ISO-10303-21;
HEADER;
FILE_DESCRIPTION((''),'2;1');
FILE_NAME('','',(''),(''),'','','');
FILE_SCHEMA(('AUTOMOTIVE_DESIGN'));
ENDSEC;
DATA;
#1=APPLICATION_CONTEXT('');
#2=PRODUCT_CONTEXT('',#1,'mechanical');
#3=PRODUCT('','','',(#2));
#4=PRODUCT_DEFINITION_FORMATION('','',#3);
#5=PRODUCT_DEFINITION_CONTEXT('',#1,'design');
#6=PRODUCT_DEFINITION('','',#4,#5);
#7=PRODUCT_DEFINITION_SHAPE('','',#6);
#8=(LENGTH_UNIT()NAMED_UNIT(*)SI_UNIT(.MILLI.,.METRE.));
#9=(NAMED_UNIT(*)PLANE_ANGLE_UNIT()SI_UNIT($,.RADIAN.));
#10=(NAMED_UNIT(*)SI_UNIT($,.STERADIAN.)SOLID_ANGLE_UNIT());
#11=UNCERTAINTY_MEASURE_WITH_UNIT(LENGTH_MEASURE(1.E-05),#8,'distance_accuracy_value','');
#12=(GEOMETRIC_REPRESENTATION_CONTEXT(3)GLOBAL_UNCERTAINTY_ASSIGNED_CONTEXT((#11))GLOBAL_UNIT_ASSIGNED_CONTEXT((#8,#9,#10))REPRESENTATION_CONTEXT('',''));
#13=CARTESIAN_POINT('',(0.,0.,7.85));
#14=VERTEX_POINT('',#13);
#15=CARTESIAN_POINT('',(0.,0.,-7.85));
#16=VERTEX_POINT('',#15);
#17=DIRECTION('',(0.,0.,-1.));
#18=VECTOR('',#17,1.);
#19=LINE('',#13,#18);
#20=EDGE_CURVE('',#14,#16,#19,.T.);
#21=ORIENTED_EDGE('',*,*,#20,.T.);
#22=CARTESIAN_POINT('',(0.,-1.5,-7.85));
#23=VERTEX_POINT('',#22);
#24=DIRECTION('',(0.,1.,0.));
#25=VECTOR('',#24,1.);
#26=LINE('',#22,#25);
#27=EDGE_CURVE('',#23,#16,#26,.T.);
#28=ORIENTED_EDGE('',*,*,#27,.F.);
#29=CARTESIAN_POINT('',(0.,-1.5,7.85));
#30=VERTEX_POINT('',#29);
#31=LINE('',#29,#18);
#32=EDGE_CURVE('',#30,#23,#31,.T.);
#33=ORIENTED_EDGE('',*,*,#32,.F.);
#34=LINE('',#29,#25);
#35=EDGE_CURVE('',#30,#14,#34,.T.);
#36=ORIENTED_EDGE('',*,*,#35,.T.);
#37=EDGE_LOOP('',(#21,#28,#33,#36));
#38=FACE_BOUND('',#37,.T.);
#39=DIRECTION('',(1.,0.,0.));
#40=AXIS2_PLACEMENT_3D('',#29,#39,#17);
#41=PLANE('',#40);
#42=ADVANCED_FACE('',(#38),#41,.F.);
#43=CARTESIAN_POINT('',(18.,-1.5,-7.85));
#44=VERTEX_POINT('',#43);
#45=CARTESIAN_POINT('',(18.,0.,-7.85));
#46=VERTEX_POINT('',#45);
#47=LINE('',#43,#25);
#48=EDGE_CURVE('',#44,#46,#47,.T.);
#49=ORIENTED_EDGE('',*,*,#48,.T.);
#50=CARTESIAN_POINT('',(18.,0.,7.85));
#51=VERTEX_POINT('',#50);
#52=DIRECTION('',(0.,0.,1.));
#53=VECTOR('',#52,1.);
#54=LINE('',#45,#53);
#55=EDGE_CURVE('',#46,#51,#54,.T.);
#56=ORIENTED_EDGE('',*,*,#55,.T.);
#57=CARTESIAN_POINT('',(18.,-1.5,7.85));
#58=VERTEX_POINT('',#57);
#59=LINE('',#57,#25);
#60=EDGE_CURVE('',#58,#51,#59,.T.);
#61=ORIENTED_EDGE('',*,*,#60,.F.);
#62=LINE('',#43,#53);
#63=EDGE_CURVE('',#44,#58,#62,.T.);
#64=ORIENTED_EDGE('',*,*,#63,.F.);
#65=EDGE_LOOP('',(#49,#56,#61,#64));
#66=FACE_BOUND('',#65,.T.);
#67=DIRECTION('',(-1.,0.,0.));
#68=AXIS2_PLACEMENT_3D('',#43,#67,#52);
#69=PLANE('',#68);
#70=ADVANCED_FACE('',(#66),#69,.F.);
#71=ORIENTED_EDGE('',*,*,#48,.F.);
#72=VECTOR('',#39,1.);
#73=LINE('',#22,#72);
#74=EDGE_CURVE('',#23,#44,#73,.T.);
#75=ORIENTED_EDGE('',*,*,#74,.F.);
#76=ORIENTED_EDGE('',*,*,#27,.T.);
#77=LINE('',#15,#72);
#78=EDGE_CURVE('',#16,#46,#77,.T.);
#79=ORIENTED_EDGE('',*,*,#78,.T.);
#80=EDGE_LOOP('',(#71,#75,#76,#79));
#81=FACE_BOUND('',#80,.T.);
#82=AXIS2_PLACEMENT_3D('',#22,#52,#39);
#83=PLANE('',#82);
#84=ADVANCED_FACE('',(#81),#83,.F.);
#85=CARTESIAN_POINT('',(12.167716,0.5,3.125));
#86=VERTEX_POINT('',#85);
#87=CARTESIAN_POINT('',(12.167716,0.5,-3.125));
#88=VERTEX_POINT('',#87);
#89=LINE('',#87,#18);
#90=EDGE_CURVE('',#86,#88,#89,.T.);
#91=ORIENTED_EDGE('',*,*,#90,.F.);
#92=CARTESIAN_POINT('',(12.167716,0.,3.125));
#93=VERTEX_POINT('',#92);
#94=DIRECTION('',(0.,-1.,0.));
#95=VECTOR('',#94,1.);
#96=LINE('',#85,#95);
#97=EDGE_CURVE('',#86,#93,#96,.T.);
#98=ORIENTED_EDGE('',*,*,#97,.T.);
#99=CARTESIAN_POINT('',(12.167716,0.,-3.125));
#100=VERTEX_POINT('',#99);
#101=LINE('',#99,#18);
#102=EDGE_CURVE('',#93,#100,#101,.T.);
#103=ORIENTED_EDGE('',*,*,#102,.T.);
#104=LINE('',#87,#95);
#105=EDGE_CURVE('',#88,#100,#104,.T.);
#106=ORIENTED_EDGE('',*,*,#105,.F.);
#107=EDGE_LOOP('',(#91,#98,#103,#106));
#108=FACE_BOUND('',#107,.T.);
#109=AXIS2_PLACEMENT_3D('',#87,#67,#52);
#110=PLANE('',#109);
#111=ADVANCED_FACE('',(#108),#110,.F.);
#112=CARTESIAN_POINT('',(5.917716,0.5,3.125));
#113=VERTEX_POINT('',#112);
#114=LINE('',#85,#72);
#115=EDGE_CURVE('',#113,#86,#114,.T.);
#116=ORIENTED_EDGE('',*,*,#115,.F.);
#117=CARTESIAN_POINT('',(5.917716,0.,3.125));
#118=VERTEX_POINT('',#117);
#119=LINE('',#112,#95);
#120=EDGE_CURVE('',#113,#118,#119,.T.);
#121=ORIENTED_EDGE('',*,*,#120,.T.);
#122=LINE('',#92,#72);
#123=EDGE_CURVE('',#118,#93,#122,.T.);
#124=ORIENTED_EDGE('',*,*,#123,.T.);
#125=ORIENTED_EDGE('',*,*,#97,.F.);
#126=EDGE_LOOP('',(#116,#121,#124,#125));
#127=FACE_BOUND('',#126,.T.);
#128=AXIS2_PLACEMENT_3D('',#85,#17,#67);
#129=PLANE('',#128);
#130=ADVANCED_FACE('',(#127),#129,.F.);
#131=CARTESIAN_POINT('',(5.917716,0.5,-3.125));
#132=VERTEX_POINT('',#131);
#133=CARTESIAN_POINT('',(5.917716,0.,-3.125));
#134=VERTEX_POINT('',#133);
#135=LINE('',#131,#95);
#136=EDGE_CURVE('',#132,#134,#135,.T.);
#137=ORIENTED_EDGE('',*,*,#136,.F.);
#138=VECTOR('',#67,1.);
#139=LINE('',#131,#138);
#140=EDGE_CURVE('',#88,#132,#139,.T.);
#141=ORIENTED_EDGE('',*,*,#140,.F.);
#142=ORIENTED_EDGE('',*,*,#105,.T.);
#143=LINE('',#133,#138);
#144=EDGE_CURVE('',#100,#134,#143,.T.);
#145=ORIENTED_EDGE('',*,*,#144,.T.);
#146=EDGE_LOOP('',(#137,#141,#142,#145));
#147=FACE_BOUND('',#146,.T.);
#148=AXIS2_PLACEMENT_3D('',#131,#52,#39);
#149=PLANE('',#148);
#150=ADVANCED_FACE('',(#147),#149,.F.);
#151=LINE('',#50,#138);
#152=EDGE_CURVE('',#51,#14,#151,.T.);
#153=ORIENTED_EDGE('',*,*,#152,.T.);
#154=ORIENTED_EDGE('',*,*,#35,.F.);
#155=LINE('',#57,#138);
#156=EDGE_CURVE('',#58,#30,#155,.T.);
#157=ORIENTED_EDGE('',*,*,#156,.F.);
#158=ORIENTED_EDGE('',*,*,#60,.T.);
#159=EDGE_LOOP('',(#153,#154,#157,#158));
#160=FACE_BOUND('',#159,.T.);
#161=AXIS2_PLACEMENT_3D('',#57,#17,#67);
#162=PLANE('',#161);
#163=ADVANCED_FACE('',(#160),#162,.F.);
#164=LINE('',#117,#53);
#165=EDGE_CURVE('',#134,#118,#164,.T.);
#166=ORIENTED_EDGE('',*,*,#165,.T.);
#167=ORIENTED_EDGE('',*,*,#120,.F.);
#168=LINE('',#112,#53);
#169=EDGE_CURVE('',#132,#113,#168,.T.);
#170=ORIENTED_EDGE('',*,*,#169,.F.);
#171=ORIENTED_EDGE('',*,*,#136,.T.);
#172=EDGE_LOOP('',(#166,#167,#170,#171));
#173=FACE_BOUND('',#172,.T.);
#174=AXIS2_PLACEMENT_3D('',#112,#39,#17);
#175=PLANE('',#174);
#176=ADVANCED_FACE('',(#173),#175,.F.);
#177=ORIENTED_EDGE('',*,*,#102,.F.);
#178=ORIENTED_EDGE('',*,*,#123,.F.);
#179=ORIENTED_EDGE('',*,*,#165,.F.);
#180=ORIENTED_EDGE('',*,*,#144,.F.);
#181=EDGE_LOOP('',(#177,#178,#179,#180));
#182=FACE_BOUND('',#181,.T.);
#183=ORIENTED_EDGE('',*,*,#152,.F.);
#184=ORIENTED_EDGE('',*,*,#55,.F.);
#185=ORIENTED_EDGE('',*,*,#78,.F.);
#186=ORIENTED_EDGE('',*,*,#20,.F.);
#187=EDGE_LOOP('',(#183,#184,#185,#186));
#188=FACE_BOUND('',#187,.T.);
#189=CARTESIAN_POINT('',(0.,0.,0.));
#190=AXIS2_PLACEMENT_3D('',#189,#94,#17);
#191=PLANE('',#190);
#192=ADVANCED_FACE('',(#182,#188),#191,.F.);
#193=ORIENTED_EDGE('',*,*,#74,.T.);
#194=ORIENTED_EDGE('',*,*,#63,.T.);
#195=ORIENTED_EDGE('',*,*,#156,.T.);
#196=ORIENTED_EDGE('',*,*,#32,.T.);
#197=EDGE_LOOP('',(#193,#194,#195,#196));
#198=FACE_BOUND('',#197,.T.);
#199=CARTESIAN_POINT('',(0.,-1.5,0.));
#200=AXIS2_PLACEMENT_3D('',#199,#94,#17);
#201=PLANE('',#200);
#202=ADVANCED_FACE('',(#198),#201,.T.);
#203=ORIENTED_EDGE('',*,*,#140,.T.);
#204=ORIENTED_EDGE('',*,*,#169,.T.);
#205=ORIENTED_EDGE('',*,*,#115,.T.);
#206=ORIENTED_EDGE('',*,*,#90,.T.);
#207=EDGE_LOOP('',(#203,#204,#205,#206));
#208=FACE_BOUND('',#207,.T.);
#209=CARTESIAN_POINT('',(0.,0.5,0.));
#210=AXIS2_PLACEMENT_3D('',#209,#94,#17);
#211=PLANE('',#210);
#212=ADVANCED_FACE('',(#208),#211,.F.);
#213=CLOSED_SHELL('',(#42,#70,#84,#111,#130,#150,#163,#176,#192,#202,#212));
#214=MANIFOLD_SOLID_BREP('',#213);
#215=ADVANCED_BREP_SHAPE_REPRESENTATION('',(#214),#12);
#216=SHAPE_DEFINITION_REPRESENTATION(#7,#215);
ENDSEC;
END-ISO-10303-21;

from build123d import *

# Parameters (mm, degrees)
CROQUIS1_W              = 18
CROQUIS1_H              = 15.7
SALIENTE_EXTRUIR1_DEPTH = 1.5
CROQUIS2_W              = 6.25
CROQUIS2_H              = 6.25
SALIENTE_EXTRUIR2_DEPTH = 0.5


with BuildPart() as part:
    # Croquis1 → Saliente-Extruir1 (new body)
    with BuildSketch(Plane.XZ):
        with Locations((9, 0)):
            Rectangle(CROQUIS1_W, CROQUIS1_H)
    extrude(amount=SALIENTE_EXTRUIR1_DEPTH)

    # Croquis2 → Saliente-Extruir2 (add)
    with BuildSketch(Plane(origin=(0, 0, 0), x_dir=(1, 0, 0), z_dir=(0, 1, 0))):
        with Locations((9.04271605, 0)):
            Rectangle(CROQUIS2_W, CROQUIS2_H)
    extrude(amount=SALIENTE_EXTRUIR2_DEPTH)


solid = part.part
